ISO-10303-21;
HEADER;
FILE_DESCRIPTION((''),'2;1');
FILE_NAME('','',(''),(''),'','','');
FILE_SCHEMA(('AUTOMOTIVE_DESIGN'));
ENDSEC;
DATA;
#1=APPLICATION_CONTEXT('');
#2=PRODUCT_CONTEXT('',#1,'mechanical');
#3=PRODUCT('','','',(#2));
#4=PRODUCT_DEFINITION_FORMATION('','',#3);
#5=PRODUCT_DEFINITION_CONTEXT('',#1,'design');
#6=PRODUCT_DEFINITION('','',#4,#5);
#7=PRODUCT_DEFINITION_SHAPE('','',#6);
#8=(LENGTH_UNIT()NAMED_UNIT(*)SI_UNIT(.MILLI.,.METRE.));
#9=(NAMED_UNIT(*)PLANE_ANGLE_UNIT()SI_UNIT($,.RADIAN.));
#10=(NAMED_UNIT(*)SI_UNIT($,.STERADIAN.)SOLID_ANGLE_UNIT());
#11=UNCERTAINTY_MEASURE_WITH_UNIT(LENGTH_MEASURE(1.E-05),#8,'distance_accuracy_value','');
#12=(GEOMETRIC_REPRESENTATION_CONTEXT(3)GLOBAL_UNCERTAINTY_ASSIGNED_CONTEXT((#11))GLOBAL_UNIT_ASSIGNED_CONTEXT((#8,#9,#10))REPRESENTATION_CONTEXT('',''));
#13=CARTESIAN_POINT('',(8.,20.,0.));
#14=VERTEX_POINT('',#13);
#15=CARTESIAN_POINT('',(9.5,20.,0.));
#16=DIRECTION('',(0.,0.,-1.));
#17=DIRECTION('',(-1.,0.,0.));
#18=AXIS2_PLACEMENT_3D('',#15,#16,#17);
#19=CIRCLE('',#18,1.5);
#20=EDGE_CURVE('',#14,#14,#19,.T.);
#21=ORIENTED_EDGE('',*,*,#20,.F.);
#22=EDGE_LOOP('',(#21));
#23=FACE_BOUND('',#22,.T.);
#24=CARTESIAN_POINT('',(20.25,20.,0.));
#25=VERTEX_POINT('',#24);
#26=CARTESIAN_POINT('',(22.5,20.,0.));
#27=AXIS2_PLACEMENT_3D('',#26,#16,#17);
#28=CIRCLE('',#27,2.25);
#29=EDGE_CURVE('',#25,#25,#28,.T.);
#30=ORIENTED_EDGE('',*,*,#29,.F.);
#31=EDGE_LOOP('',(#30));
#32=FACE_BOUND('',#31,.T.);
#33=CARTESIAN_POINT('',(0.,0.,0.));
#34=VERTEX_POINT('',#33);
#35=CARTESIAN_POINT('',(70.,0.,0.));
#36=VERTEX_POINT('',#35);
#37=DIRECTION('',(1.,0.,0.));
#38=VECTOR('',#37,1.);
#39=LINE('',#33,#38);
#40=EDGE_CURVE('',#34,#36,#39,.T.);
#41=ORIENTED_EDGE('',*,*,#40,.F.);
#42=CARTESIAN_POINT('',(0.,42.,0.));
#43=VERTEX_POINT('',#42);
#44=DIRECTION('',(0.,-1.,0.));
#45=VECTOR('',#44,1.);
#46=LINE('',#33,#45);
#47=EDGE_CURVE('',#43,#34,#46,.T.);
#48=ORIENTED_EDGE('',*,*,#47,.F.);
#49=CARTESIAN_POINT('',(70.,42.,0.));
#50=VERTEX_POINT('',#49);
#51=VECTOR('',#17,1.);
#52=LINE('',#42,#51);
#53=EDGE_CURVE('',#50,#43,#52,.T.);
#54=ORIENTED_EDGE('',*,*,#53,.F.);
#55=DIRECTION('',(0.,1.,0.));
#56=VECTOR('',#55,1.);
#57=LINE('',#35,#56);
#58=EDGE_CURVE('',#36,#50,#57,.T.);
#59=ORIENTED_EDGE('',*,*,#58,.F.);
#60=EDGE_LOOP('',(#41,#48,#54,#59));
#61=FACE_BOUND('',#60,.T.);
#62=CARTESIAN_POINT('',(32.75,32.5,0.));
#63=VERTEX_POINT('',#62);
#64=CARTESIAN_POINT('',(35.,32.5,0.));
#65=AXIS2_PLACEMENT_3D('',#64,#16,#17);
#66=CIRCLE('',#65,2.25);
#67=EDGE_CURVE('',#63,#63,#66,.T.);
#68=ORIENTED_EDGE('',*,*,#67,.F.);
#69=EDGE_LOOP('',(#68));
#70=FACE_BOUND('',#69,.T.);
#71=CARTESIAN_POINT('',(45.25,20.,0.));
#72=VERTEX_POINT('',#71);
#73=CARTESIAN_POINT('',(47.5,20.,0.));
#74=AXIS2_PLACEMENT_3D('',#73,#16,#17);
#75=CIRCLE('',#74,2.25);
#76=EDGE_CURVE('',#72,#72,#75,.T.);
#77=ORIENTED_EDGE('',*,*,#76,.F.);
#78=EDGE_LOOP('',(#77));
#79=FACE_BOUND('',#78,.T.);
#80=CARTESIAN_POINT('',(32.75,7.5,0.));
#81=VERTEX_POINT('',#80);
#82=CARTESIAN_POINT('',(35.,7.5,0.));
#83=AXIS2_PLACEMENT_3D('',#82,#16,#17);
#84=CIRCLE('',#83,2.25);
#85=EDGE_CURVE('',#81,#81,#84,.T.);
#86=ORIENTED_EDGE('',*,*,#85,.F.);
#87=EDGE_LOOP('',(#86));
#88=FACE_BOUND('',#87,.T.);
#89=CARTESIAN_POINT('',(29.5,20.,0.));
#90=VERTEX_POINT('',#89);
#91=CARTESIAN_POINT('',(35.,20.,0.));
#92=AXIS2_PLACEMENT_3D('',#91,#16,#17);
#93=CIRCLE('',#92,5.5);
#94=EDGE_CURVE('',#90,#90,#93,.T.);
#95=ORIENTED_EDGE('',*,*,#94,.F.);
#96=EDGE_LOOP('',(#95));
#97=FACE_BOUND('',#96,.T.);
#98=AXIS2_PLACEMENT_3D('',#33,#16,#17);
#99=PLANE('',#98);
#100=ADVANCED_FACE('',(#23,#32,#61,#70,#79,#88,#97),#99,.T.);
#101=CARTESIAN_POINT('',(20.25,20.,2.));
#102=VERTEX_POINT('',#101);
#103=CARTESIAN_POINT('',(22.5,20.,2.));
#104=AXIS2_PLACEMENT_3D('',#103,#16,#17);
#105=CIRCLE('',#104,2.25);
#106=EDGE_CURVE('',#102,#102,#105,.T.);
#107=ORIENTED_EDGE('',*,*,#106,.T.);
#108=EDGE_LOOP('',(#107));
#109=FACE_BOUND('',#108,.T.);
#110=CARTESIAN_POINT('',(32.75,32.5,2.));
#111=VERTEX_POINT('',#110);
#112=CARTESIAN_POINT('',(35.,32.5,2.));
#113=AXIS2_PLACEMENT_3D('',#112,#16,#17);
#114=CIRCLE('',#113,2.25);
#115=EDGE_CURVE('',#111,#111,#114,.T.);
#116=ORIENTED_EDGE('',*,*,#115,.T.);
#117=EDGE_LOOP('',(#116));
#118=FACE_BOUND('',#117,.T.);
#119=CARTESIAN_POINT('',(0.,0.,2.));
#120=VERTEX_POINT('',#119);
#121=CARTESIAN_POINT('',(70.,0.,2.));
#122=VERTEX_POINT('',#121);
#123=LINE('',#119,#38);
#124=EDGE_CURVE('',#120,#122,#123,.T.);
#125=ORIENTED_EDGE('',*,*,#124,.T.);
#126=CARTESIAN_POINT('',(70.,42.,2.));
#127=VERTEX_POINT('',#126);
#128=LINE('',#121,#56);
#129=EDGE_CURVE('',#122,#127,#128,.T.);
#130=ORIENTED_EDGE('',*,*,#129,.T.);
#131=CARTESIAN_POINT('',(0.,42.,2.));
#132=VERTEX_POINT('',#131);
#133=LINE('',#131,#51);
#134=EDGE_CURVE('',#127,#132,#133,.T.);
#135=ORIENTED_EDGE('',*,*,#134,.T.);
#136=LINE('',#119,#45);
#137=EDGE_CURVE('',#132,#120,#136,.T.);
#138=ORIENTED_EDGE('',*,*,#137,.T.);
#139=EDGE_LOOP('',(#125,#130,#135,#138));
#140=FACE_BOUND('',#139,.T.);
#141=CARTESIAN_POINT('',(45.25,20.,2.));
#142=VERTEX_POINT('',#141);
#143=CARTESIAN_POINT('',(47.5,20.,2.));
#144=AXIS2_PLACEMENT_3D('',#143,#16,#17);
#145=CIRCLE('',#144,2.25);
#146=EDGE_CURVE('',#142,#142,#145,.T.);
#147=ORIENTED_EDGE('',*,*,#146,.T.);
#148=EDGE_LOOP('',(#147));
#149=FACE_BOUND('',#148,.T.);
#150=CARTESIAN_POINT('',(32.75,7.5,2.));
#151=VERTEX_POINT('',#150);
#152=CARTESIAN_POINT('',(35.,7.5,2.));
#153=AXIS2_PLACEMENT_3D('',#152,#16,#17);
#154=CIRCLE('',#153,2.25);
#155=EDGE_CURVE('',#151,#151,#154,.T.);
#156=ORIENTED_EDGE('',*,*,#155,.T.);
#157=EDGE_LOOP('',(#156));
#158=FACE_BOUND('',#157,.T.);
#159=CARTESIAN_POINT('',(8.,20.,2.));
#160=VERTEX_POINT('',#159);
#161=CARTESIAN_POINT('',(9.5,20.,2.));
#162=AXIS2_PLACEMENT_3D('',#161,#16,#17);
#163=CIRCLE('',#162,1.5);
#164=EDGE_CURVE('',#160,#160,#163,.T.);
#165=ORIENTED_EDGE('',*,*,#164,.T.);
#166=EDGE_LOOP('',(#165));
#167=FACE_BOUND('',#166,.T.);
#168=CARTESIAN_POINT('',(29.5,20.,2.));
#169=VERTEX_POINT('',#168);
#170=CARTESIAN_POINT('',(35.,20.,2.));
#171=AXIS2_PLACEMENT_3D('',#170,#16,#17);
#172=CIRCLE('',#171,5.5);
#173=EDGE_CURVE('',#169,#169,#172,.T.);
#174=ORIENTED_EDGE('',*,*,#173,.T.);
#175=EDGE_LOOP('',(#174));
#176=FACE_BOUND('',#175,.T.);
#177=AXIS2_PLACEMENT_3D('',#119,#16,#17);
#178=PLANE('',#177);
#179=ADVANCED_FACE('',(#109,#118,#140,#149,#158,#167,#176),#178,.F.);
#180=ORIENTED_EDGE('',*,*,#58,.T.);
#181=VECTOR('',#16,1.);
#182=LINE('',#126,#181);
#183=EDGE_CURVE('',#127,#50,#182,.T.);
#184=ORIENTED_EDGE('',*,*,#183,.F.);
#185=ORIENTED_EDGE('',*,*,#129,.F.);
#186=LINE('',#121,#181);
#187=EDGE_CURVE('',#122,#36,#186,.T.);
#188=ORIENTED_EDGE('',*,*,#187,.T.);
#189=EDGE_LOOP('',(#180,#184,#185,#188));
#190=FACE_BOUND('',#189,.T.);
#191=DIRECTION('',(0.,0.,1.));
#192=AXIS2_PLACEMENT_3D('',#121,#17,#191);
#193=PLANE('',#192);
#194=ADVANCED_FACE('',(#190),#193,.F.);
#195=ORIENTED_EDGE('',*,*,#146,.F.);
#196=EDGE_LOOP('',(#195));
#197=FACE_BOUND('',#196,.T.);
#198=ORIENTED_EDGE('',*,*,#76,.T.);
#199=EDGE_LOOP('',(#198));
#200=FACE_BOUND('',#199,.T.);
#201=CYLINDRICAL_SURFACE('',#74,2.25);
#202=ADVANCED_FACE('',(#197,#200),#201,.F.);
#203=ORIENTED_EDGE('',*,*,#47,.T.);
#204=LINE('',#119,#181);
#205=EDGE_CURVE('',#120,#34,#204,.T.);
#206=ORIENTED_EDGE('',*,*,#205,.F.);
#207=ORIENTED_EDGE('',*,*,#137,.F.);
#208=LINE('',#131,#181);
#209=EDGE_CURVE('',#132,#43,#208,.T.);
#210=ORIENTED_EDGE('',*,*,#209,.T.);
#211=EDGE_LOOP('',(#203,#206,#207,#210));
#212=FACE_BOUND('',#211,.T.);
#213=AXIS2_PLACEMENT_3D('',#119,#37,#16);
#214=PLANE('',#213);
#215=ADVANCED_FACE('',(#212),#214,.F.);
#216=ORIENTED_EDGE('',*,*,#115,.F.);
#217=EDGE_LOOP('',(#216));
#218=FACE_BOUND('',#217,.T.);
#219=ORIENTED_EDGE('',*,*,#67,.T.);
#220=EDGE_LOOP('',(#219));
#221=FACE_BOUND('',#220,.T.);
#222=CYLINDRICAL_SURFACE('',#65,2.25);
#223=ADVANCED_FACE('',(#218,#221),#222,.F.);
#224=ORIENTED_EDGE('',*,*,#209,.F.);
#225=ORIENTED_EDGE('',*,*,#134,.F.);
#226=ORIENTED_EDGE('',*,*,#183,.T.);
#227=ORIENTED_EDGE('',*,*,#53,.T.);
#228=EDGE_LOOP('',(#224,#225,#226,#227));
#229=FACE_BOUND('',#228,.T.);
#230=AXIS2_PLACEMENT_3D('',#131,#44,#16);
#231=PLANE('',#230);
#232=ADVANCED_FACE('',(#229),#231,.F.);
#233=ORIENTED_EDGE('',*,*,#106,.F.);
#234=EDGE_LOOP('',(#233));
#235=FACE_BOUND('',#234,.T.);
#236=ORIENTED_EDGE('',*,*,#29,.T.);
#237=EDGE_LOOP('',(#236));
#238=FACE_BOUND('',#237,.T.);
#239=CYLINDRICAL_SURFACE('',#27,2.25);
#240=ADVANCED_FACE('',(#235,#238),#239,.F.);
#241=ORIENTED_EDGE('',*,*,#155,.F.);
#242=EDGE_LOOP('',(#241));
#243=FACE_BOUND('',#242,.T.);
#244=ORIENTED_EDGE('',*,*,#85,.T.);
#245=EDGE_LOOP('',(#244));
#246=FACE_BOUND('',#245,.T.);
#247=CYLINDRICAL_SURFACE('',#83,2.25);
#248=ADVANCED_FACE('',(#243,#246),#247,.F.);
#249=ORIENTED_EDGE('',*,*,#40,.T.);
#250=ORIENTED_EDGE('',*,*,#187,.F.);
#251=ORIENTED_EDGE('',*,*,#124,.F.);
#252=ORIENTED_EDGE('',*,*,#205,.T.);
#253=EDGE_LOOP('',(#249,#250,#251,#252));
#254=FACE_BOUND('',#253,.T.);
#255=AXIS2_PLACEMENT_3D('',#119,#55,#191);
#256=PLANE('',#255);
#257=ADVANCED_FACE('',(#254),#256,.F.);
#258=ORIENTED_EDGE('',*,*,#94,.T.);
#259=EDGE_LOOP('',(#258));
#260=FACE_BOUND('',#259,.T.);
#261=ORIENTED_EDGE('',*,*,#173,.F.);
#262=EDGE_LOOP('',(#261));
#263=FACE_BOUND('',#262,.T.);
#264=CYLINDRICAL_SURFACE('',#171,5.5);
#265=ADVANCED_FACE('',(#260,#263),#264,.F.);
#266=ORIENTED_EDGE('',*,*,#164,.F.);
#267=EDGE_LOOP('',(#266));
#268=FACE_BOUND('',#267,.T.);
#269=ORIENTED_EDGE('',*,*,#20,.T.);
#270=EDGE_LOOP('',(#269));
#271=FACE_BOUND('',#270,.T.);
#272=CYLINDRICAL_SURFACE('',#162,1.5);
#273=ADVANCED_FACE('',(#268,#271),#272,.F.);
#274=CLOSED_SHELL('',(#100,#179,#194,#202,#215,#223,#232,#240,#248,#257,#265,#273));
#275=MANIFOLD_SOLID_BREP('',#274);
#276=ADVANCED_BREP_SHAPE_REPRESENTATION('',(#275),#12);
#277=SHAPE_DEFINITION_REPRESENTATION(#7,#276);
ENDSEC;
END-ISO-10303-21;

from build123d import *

# Parameters (mm, degrees)
ESQUISSE1_W             = 70
ESQUISSE1_H             = 42
BOSS_EXTRU_1_DEPTH      = 2
D_GAGEMENT_M41_D        = 4.5
ESQUISSE4_R             = 5.5
ENL_V_MAT_EXTRU_1_DEPTH = 3
ESQUISSE2_R             = 1.5
ENL_V_MAT_EXTRU_2_DEPTH = 3


with BuildPart() as part:
    # Esquisse1 → Boss.-Extru.1 (new body)
    with BuildSketch(Plane.XY):
        with Locations((35, 21)):
            Rectangle(ESQUISSE1_W, ESQUISSE1_H)
    extrude(amount=BOSS_EXTRU_1_DEPTH)

    # Dégagement M41 (through all)
    with Locations(Plane(origin=(35, 32.5, 0), x_dir=(-1, 0, 0), z_dir=(0, 0, -1))):
        with Locations((0, 0), (-12.5, -12.5), (0, -25), (12.5, -12.5)):
            Hole(D_GAGEMENT_M41_D / 2)

    # Esquisse4 → Enlèv. mat.-Extru.1 (cut, through all)
    with BuildSketch(Plane(origin=(0, 0, 0), x_dir=(-1, 0, 0), z_dir=(0, 0, -1))):
        with Locations((-35, 20)):
            Circle(ESQUISSE4_R)
    extrude(amount=-ENL_V_MAT_EXTRU_1_DEPTH, mode=Mode.SUBTRACT)

    # Esquisse2 → Enlèv. mat.-Extru.2 (cut, through all)
    with BuildSketch(Plane(origin=(0, 0, 0), x_dir=(-1, 0, 0), z_dir=(0, 0, -1))):
        with Locations((-9.5, 20)):
            Circle(ESQUISSE2_R)
    extrude(amount=-ENL_V_MAT_EXTRU_2_DEPTH, mode=Mode.SUBTRACT)


solid = part.part
